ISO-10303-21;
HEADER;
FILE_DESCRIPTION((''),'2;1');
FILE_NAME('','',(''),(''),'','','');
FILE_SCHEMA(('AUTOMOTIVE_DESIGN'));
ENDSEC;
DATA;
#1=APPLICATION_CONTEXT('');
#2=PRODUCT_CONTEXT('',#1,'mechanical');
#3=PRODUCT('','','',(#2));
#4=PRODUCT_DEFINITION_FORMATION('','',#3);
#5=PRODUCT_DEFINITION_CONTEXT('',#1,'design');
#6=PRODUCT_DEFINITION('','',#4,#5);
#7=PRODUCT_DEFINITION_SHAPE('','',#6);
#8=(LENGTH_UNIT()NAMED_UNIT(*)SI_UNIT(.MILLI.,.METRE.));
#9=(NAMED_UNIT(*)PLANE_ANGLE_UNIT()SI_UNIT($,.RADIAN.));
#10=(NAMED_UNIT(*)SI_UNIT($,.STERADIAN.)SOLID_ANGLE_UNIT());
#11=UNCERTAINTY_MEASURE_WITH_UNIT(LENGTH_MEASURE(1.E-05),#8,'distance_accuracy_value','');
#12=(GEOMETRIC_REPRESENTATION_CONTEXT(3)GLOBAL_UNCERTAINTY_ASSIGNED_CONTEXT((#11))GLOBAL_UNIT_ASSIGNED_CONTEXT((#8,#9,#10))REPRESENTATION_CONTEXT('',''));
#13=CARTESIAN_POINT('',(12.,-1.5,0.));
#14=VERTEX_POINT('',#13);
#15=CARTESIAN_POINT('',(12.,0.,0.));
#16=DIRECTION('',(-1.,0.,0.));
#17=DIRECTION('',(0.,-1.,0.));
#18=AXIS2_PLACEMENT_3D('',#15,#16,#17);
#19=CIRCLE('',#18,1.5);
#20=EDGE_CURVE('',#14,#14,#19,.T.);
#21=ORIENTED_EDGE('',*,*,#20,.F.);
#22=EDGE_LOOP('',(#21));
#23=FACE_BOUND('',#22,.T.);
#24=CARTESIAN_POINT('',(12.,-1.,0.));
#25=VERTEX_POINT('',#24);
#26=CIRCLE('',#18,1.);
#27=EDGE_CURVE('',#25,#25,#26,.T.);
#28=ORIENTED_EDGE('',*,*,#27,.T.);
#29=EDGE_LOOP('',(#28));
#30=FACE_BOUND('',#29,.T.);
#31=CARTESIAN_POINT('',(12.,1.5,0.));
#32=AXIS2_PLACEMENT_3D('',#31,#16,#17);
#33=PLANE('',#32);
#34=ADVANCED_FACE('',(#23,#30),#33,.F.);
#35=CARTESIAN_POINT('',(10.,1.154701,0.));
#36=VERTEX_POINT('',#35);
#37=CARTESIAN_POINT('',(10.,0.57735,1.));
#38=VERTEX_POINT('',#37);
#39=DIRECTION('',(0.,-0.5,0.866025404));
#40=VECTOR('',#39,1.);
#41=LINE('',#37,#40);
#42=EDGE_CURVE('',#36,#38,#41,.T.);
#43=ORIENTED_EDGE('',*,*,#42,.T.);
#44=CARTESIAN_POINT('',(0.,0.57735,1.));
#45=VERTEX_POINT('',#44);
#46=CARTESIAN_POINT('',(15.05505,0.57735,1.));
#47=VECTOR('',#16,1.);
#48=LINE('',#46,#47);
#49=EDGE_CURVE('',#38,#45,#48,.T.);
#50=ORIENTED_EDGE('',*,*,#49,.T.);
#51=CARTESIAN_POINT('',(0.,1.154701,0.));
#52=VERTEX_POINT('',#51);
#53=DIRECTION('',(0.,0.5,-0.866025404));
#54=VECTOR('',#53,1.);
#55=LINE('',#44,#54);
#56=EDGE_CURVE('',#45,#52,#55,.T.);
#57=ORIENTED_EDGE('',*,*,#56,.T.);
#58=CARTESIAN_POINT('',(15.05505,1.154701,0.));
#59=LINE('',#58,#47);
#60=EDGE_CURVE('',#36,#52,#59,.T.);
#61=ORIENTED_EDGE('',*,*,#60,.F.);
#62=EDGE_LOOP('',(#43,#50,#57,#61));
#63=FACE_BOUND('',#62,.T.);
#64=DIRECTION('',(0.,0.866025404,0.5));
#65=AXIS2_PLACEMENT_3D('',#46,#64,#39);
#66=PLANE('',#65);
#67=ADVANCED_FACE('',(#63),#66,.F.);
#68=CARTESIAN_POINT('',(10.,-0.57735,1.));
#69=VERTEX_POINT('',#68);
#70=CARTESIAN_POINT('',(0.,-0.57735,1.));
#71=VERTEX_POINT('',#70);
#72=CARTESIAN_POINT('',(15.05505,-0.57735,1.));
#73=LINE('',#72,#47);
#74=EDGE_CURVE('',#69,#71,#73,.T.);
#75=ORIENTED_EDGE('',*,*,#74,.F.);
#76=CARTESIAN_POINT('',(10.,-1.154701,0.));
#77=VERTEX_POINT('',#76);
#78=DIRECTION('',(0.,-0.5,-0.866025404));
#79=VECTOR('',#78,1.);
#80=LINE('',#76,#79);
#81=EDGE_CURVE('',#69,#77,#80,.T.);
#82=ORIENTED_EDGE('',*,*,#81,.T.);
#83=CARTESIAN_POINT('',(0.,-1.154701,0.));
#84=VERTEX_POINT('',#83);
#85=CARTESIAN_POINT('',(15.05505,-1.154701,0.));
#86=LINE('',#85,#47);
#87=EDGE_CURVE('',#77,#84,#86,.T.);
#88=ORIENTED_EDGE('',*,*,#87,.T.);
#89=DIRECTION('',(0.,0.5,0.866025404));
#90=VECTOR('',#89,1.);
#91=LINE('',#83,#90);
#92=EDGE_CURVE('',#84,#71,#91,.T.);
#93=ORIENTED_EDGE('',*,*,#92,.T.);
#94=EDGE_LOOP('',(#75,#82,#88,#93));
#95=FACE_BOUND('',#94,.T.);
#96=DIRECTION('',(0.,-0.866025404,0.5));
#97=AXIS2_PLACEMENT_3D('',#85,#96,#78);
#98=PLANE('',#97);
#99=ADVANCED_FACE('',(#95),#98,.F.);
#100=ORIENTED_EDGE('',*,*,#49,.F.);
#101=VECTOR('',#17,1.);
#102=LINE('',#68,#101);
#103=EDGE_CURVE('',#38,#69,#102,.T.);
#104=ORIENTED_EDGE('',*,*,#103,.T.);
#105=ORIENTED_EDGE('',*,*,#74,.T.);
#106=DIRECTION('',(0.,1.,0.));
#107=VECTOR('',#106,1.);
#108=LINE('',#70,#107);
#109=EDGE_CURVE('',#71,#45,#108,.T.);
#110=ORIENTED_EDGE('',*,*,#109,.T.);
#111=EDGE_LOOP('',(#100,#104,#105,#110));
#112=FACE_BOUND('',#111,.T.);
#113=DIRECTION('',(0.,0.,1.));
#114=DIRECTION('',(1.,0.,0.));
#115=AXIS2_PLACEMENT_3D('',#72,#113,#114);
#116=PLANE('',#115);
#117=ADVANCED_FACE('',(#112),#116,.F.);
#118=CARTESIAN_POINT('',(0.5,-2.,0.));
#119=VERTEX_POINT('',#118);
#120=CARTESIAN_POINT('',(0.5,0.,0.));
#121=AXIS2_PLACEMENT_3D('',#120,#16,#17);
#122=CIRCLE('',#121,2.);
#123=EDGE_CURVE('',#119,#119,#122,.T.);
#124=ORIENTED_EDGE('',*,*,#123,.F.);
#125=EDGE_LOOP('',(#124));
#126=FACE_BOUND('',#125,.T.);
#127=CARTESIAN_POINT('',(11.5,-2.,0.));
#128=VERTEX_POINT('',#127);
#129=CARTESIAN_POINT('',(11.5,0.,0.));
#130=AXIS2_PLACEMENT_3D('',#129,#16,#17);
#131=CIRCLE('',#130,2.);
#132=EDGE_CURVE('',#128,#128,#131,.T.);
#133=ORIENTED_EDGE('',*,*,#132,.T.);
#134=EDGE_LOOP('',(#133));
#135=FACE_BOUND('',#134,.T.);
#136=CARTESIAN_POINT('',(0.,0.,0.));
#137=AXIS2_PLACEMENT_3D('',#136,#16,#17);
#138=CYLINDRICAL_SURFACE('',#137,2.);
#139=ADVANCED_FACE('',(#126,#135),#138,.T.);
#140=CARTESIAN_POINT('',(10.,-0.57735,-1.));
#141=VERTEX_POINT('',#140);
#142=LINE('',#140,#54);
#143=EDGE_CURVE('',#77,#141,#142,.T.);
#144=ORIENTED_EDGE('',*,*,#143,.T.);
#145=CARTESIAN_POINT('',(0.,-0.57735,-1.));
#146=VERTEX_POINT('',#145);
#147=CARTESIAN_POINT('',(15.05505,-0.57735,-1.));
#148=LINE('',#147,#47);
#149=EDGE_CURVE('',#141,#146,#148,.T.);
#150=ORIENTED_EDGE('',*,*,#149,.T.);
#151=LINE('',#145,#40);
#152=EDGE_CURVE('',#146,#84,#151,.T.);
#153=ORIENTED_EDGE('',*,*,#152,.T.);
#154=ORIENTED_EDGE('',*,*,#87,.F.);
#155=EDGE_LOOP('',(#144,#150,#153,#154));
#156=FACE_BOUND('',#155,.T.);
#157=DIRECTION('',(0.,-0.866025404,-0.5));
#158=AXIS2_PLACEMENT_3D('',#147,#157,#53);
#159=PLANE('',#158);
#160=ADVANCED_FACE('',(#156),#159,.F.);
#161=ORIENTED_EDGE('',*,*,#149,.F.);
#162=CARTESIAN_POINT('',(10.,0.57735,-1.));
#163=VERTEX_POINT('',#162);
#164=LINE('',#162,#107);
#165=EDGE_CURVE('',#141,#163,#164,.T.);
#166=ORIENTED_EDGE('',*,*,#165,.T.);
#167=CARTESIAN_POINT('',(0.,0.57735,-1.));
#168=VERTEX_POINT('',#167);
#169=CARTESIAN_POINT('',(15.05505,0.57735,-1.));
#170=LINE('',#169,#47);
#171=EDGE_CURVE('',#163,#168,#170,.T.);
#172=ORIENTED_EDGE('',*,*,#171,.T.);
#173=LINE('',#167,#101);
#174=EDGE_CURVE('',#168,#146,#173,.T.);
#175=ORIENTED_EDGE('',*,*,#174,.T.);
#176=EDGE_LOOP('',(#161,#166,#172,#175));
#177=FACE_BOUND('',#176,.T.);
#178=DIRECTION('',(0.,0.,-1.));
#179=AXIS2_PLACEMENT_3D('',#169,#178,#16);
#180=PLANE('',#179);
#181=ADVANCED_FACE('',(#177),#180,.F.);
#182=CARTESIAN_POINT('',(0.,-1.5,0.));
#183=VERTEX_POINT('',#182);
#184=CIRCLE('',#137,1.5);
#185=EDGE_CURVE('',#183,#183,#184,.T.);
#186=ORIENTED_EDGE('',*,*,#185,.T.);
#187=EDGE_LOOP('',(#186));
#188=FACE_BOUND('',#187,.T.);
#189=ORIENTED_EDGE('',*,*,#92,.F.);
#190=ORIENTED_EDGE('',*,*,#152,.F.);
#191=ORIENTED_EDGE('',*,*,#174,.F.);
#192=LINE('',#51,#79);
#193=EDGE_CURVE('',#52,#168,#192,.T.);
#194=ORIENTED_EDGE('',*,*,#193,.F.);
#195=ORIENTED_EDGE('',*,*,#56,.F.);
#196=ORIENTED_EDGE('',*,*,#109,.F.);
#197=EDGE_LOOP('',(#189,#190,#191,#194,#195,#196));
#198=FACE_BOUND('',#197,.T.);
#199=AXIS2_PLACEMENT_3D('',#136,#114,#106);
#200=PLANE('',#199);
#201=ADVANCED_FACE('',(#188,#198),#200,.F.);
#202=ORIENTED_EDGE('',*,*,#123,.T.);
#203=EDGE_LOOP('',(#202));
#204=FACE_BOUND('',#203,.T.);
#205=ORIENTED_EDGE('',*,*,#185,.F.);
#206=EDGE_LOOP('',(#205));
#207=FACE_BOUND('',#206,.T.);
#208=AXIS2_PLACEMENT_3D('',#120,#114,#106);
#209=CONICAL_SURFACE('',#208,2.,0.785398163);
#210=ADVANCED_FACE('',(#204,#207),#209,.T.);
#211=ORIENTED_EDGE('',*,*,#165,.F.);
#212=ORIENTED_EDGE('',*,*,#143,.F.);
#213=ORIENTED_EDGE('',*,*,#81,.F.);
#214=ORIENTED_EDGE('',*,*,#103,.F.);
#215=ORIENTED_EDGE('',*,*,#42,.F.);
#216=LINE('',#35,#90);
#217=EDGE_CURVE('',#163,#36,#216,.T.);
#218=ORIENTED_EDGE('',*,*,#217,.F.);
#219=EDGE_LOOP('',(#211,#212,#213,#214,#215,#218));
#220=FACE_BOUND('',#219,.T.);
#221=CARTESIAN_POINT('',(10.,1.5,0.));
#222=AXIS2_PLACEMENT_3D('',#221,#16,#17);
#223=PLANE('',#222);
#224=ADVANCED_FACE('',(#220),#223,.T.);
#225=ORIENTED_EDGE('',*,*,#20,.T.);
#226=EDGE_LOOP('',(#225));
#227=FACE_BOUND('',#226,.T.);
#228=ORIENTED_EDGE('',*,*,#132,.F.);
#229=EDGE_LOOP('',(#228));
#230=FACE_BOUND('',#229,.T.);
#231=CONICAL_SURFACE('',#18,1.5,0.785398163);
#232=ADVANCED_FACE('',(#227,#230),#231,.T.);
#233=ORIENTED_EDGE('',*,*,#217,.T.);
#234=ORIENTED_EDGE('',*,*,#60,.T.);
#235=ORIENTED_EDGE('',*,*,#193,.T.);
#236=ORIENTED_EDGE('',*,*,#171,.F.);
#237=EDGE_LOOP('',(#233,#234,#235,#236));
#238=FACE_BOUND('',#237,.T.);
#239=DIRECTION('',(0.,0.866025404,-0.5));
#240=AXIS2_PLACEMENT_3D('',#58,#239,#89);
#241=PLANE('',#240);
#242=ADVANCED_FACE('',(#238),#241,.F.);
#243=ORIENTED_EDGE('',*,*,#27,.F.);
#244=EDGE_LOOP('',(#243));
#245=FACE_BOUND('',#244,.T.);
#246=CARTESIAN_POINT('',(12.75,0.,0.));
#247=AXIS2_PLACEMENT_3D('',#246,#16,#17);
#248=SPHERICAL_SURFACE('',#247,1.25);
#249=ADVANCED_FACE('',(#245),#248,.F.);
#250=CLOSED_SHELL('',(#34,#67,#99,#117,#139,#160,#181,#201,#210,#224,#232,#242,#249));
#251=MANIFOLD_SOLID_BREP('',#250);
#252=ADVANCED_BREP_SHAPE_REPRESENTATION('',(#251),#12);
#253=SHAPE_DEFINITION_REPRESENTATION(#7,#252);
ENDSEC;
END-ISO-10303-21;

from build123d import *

# Parameters (mm, degrees)
CUT_EXTRUDE1_DEPTH = 10


with BuildPart() as part:
    # Sketch1 → Revolve1 (revolve)
    with BuildSketch(Plane.XY, mode=Mode.PRIVATE) as revolve1_sk:
        with BuildLine():
            Line((0, 0), (0, 1.5))
            Line((0, 1.5), (0.5, 2))
            Line((0.5, 2), (11.5, 2))
            Line((11.5, 2), (12, 1.5))
            Line((12, 1.5), (12, 1))
            ThreePointArc((12, 1), (11.631966011, 0.559016994), (11.5, 0))
            Line((11.5, 0), (0, 0))
        make_face()
    revolve(revolve1_sk.sketch.rotate(Axis((0, 0, 0), (1, 0, 0)), 180), axis=Axis((0, 0, 0), (1, 0, 0)))

    # Sketch2 → Cut-Extrude1 (cut)
    with BuildSketch(Plane.ZY):
        Polygon((0, 1.154700538), (-1, 0.577350269), (-1, -0.577350269), (0, -1.154700538), (1, -0.577350269), (1, 0.577350269), align=None)
    extrude(amount=-CUT_EXTRUDE1_DEPTH, mode=Mode.SUBTRACT)


solid = part.part
